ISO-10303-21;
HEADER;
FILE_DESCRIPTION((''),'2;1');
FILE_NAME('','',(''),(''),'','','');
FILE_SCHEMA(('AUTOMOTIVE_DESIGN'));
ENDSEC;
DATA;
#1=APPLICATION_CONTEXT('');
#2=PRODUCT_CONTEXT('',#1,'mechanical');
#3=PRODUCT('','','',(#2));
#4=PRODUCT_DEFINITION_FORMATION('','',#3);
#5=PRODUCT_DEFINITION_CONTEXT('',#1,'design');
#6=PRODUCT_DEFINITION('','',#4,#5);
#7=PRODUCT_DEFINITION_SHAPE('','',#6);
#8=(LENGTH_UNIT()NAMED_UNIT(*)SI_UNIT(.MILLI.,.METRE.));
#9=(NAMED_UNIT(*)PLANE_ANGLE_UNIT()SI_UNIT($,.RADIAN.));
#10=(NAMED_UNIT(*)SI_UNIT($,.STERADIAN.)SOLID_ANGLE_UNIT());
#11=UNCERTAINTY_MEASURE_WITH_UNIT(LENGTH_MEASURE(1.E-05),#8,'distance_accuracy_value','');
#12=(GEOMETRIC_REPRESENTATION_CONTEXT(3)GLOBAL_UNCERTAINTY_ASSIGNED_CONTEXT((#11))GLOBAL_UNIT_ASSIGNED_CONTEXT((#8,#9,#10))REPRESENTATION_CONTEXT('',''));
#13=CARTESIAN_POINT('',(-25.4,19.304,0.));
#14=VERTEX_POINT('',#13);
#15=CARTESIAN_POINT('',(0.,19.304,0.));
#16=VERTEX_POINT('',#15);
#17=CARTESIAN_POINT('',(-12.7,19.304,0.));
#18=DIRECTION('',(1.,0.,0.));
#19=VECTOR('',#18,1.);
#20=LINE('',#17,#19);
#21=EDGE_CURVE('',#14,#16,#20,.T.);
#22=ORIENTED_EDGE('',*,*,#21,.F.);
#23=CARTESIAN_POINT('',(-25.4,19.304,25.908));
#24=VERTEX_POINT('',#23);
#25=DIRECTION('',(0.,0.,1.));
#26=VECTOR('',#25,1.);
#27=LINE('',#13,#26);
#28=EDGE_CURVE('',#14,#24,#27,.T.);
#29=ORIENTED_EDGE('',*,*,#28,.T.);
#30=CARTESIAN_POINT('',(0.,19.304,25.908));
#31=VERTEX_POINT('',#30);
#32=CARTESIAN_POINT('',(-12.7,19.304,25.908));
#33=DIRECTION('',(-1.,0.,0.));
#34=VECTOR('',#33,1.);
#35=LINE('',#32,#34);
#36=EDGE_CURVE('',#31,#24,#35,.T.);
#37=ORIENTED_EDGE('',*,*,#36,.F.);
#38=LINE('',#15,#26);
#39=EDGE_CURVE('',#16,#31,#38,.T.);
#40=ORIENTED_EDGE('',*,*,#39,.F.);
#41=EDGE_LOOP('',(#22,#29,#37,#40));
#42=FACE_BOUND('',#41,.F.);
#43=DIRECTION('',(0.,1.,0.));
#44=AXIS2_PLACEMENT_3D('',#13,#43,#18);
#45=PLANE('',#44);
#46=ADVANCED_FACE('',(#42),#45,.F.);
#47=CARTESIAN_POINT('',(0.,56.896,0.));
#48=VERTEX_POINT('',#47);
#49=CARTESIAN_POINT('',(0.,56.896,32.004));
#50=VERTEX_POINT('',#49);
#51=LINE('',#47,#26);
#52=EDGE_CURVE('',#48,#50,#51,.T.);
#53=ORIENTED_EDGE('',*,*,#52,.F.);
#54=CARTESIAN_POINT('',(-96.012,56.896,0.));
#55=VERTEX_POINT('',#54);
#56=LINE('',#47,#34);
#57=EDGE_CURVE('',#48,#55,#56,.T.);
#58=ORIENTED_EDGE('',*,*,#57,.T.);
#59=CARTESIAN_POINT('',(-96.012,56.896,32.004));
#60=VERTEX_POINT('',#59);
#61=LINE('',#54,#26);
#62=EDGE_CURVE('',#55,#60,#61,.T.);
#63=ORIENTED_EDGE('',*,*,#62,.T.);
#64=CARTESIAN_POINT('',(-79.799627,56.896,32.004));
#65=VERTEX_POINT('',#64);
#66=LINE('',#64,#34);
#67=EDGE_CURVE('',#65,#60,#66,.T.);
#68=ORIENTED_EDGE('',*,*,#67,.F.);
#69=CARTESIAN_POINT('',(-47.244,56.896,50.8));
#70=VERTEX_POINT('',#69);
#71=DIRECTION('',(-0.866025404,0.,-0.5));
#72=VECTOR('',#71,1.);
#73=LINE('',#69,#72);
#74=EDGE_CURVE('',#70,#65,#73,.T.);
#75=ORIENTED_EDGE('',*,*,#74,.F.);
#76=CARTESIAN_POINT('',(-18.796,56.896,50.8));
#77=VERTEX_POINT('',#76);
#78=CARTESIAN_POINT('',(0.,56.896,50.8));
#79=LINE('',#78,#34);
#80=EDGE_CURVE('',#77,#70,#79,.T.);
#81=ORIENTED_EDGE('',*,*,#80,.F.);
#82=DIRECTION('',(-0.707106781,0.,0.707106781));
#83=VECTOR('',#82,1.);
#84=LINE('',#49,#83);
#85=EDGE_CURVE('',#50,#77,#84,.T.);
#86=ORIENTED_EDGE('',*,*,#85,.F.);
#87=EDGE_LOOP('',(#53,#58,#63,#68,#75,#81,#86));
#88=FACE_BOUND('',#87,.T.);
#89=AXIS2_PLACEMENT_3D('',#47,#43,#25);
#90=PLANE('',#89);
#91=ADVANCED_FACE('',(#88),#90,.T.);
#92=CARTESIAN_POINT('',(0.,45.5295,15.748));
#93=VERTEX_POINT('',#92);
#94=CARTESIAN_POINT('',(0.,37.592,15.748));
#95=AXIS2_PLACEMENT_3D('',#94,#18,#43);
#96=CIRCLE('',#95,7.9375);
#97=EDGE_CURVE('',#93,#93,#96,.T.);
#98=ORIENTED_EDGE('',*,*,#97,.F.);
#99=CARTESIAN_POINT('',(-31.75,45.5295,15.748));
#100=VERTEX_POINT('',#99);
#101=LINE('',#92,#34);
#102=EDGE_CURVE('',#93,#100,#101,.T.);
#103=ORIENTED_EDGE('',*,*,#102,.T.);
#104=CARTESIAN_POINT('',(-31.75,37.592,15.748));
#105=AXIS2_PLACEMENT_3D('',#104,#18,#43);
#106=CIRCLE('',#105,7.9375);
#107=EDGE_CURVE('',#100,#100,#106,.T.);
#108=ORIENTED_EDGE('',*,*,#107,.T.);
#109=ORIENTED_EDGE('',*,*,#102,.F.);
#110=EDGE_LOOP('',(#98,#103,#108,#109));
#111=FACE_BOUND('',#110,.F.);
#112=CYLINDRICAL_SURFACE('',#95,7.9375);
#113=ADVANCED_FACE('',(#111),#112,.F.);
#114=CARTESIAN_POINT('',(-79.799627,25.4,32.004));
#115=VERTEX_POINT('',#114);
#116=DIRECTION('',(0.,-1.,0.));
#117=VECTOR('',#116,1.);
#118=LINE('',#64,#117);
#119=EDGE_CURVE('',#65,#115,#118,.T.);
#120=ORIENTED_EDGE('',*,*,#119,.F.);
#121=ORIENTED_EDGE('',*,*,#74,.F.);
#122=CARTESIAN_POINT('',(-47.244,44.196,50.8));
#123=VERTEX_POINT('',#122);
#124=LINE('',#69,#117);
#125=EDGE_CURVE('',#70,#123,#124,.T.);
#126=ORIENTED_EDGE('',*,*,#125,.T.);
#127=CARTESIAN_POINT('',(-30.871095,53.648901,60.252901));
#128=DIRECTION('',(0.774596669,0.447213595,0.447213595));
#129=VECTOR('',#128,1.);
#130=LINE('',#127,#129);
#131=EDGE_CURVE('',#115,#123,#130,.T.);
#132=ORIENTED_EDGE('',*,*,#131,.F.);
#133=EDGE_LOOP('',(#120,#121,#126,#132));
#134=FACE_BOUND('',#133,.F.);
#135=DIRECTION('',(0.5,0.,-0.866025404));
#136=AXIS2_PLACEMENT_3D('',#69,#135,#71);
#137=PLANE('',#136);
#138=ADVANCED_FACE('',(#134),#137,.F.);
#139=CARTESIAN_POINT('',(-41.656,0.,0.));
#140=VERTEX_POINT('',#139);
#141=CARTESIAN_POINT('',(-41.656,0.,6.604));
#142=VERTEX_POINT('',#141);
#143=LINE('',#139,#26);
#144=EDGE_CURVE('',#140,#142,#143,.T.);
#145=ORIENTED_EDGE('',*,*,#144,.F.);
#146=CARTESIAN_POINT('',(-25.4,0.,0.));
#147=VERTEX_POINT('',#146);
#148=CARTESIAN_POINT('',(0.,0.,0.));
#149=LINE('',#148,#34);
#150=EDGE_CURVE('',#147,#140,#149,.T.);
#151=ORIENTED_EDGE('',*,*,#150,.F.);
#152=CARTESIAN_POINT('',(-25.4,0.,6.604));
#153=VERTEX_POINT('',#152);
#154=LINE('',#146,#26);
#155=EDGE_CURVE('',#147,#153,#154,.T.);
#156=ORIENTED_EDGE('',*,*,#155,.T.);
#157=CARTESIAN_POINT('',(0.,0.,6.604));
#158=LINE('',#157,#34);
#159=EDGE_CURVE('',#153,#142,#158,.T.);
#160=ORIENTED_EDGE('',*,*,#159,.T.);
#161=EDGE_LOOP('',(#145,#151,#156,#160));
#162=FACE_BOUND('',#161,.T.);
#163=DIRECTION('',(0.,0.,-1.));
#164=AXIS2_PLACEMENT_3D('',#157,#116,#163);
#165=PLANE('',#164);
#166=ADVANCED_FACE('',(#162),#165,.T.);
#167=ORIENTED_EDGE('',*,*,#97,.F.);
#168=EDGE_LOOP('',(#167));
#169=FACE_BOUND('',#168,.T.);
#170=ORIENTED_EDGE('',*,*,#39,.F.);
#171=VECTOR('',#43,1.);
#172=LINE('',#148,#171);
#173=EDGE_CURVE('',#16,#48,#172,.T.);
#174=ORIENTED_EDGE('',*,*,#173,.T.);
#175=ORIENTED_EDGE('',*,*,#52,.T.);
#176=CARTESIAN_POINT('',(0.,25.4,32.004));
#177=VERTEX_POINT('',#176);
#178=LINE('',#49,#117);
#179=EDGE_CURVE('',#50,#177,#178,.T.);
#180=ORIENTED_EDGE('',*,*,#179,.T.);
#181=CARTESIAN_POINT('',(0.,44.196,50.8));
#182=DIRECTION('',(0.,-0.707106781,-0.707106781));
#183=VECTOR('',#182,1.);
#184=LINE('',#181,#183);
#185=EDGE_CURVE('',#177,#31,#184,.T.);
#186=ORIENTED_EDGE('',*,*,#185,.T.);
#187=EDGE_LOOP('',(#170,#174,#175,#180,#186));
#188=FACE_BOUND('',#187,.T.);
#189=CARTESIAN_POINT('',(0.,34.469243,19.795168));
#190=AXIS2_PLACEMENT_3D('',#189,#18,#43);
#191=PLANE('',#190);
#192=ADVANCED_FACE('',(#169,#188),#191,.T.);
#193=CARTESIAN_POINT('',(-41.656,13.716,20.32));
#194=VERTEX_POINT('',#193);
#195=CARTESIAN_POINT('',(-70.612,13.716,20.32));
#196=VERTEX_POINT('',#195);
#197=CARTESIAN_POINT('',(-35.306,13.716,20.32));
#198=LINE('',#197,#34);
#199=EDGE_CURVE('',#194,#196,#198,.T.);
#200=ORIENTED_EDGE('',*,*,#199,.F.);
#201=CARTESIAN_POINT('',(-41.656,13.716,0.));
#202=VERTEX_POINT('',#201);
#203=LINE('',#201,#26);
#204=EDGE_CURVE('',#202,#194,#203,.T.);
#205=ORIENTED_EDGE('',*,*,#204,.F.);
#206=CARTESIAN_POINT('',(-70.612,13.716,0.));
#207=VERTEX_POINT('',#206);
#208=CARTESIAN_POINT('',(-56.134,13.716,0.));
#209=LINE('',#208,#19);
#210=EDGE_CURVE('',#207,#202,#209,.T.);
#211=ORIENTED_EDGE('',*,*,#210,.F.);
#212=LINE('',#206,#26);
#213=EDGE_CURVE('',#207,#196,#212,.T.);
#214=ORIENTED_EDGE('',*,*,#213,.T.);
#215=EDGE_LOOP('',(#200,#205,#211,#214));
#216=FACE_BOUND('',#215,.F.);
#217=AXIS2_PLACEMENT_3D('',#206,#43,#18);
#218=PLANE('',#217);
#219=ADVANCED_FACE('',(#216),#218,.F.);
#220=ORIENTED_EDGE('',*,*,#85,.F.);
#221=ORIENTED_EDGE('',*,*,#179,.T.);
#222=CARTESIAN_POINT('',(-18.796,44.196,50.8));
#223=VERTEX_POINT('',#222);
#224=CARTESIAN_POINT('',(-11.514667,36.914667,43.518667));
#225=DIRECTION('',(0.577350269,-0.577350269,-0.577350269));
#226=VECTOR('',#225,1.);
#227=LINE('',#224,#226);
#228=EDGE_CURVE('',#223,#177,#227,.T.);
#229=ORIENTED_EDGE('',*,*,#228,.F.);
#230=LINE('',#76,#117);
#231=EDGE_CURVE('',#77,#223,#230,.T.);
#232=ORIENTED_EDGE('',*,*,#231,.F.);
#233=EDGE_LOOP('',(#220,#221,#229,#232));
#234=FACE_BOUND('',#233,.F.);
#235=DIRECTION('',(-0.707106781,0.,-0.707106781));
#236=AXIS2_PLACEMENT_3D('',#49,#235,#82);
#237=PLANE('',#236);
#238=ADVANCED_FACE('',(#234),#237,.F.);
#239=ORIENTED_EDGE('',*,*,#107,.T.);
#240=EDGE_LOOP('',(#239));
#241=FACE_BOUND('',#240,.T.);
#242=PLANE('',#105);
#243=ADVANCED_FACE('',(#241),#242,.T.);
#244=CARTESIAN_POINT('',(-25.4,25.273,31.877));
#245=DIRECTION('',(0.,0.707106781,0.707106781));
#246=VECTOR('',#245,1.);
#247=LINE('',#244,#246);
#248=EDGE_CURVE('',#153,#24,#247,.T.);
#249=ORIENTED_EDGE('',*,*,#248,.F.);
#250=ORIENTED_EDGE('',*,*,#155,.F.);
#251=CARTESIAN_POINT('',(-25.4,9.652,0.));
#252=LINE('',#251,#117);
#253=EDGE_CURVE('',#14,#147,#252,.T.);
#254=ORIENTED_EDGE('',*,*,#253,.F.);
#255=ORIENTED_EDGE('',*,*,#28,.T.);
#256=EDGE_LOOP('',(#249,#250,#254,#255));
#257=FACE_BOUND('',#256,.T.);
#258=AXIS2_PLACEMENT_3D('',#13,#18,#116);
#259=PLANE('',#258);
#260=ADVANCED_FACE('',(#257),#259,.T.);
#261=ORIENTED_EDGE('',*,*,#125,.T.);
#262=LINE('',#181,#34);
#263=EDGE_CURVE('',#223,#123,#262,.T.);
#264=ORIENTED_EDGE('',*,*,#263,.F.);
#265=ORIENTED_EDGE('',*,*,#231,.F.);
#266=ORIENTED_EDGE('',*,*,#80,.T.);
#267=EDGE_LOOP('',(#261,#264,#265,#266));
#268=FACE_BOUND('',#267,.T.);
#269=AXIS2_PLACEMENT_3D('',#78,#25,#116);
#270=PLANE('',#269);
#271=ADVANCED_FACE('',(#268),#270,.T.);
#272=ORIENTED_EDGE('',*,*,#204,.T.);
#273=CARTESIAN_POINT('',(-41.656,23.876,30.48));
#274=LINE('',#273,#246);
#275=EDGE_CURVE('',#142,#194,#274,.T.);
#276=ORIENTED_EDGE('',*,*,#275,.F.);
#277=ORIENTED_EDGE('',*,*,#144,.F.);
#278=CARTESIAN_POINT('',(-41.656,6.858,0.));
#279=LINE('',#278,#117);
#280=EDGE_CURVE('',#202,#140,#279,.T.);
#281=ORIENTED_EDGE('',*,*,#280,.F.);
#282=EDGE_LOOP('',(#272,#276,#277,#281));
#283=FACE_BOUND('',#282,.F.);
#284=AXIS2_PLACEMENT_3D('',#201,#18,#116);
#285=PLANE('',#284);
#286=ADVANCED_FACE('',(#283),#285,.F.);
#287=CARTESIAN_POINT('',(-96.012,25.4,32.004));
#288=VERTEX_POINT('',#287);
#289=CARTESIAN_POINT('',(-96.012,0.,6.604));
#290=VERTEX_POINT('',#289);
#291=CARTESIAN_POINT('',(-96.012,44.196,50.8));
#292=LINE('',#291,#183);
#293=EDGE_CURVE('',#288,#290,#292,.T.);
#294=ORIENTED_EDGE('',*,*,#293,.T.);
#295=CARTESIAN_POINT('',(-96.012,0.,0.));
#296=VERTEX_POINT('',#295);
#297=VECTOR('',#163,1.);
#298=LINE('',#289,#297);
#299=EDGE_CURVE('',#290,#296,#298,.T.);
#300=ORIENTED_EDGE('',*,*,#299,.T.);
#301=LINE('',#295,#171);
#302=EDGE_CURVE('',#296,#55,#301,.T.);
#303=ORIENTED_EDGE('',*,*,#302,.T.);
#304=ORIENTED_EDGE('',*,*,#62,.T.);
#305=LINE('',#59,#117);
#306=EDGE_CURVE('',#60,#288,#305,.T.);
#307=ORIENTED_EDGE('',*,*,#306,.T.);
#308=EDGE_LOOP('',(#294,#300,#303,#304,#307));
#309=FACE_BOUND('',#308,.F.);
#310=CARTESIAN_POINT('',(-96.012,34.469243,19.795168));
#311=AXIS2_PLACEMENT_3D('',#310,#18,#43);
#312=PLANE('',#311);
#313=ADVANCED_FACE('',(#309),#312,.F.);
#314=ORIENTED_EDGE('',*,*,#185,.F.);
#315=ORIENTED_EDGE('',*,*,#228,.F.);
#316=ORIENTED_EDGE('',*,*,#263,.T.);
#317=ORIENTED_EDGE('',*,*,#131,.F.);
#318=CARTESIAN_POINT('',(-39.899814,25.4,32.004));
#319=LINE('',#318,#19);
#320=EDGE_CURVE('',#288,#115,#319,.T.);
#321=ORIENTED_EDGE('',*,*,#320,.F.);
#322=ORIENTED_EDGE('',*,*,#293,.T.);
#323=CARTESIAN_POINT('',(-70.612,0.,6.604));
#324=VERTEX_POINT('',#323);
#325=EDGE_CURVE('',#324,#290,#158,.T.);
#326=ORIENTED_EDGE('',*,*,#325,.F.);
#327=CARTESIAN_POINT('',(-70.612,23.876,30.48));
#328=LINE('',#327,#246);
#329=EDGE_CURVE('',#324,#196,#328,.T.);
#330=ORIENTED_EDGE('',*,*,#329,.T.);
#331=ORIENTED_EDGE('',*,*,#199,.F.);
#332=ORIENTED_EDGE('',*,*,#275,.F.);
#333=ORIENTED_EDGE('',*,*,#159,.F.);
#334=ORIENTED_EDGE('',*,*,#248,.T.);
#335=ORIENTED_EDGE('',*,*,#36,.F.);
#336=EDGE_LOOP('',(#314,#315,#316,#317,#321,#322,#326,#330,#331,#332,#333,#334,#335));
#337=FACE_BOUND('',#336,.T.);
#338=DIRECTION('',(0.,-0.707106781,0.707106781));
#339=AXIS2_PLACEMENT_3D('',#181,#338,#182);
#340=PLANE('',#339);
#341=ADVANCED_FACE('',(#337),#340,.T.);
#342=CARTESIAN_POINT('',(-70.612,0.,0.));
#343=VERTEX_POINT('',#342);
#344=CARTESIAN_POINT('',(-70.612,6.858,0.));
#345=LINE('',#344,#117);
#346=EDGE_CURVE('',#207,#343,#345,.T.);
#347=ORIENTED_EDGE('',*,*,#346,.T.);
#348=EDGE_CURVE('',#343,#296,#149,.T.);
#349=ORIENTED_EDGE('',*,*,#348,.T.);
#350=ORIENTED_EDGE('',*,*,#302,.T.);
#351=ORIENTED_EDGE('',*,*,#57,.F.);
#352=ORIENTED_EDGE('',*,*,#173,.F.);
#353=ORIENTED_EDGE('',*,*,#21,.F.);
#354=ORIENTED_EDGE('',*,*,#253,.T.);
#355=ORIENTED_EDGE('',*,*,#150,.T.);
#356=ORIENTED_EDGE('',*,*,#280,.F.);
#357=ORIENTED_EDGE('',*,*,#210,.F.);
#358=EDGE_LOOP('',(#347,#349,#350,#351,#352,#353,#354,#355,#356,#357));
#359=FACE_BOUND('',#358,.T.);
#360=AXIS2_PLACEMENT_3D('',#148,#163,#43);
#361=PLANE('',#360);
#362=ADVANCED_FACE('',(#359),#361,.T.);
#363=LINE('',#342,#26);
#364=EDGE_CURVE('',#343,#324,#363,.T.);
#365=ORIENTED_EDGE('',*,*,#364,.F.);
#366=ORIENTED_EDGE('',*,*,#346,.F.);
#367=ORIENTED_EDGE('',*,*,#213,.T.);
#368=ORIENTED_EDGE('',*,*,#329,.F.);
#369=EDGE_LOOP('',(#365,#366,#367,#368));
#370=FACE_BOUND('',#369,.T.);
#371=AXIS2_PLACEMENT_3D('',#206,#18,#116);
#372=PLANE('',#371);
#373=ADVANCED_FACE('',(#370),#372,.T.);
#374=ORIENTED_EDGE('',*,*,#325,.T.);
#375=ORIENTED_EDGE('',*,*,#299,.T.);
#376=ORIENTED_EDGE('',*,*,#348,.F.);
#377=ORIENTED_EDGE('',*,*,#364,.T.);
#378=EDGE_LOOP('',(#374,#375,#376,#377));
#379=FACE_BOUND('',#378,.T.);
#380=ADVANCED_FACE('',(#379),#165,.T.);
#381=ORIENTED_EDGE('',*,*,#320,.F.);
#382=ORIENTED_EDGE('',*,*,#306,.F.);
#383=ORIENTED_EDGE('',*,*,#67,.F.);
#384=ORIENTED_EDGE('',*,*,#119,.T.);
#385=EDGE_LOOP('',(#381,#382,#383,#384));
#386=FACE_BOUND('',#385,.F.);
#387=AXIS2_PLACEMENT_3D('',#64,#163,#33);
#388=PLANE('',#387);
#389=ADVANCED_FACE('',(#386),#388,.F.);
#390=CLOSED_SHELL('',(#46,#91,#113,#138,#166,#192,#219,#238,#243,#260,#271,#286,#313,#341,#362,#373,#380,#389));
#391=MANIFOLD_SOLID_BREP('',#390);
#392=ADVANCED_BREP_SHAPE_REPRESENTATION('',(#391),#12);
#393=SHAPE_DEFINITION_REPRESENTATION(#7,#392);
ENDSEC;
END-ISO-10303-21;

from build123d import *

# Parameters (mm, degrees)
F0_R     = 7.9375
F1_DEPTH = 96.012
F2_DEPTH = 31.75
F3_W     = 25.4
F3_H     = 19.304
F3_W_2   = 28.956
F3_H_2   = 13.716
F4_DEPTH = 51.562
F6_DEPTH = 69.088


with BuildPart() as f1:
    # F0 (on Right) → F1 (new body)
    with BuildSketch(Plane.YZ):
        Polygon((0, 6.604), (0, 0), (56.896, 0), (56.896, 50.8), (44.196, 50.8), align=None)
        with Locations((37.592, 15.748)):
            Circle(F0_R, mode=Mode.SUBTRACT)
        with Locations((37.592, 15.748)):
            Circle(F0_R)
    extrude(amount=-F1_DEPTH)

    # F0 (on Right) → F2 (cut)
    with BuildSketch(Plane.YZ):
        with Locations((37.592, 15.748)):
            Circle(F0_R)
    extrude(amount=-F2_DEPTH, mode=Mode.SUBTRACT)

    # F3 (on face) → F4 (cut)
    with BuildSketch(Plane(origin=(0, 0, 0), x_dir=(1, 0, 0), z_dir=(0, 0, -1))):
        with Locations((-12.7, -9.652)):
            Rectangle(F3_W, F3_H)
        with Locations((-56.134, -6.858)):
            Rectangle(F3_W_2, F3_H_2)
    extrude(amount=-F4_DEPTH, mode=Mode.SUBTRACT)

    # F5 (on face) → F6 (cut)
    with BuildSketch(Plane(origin=(0, 56.896, 0), x_dir=(-1, 0, 0), z_dir=(0, 1, 0))):
        Polygon((18.796, 50.8), (0, 50.8), (0, 32.004), align=None)
        Polygon((96.012, 50.8), (47.244, 50.8), (79.799627, 32.004), (96.012, 32.004), align=None)
    extrude(amount=-F6_DEPTH, mode=Mode.SUBTRACT)


solid = f1.part
